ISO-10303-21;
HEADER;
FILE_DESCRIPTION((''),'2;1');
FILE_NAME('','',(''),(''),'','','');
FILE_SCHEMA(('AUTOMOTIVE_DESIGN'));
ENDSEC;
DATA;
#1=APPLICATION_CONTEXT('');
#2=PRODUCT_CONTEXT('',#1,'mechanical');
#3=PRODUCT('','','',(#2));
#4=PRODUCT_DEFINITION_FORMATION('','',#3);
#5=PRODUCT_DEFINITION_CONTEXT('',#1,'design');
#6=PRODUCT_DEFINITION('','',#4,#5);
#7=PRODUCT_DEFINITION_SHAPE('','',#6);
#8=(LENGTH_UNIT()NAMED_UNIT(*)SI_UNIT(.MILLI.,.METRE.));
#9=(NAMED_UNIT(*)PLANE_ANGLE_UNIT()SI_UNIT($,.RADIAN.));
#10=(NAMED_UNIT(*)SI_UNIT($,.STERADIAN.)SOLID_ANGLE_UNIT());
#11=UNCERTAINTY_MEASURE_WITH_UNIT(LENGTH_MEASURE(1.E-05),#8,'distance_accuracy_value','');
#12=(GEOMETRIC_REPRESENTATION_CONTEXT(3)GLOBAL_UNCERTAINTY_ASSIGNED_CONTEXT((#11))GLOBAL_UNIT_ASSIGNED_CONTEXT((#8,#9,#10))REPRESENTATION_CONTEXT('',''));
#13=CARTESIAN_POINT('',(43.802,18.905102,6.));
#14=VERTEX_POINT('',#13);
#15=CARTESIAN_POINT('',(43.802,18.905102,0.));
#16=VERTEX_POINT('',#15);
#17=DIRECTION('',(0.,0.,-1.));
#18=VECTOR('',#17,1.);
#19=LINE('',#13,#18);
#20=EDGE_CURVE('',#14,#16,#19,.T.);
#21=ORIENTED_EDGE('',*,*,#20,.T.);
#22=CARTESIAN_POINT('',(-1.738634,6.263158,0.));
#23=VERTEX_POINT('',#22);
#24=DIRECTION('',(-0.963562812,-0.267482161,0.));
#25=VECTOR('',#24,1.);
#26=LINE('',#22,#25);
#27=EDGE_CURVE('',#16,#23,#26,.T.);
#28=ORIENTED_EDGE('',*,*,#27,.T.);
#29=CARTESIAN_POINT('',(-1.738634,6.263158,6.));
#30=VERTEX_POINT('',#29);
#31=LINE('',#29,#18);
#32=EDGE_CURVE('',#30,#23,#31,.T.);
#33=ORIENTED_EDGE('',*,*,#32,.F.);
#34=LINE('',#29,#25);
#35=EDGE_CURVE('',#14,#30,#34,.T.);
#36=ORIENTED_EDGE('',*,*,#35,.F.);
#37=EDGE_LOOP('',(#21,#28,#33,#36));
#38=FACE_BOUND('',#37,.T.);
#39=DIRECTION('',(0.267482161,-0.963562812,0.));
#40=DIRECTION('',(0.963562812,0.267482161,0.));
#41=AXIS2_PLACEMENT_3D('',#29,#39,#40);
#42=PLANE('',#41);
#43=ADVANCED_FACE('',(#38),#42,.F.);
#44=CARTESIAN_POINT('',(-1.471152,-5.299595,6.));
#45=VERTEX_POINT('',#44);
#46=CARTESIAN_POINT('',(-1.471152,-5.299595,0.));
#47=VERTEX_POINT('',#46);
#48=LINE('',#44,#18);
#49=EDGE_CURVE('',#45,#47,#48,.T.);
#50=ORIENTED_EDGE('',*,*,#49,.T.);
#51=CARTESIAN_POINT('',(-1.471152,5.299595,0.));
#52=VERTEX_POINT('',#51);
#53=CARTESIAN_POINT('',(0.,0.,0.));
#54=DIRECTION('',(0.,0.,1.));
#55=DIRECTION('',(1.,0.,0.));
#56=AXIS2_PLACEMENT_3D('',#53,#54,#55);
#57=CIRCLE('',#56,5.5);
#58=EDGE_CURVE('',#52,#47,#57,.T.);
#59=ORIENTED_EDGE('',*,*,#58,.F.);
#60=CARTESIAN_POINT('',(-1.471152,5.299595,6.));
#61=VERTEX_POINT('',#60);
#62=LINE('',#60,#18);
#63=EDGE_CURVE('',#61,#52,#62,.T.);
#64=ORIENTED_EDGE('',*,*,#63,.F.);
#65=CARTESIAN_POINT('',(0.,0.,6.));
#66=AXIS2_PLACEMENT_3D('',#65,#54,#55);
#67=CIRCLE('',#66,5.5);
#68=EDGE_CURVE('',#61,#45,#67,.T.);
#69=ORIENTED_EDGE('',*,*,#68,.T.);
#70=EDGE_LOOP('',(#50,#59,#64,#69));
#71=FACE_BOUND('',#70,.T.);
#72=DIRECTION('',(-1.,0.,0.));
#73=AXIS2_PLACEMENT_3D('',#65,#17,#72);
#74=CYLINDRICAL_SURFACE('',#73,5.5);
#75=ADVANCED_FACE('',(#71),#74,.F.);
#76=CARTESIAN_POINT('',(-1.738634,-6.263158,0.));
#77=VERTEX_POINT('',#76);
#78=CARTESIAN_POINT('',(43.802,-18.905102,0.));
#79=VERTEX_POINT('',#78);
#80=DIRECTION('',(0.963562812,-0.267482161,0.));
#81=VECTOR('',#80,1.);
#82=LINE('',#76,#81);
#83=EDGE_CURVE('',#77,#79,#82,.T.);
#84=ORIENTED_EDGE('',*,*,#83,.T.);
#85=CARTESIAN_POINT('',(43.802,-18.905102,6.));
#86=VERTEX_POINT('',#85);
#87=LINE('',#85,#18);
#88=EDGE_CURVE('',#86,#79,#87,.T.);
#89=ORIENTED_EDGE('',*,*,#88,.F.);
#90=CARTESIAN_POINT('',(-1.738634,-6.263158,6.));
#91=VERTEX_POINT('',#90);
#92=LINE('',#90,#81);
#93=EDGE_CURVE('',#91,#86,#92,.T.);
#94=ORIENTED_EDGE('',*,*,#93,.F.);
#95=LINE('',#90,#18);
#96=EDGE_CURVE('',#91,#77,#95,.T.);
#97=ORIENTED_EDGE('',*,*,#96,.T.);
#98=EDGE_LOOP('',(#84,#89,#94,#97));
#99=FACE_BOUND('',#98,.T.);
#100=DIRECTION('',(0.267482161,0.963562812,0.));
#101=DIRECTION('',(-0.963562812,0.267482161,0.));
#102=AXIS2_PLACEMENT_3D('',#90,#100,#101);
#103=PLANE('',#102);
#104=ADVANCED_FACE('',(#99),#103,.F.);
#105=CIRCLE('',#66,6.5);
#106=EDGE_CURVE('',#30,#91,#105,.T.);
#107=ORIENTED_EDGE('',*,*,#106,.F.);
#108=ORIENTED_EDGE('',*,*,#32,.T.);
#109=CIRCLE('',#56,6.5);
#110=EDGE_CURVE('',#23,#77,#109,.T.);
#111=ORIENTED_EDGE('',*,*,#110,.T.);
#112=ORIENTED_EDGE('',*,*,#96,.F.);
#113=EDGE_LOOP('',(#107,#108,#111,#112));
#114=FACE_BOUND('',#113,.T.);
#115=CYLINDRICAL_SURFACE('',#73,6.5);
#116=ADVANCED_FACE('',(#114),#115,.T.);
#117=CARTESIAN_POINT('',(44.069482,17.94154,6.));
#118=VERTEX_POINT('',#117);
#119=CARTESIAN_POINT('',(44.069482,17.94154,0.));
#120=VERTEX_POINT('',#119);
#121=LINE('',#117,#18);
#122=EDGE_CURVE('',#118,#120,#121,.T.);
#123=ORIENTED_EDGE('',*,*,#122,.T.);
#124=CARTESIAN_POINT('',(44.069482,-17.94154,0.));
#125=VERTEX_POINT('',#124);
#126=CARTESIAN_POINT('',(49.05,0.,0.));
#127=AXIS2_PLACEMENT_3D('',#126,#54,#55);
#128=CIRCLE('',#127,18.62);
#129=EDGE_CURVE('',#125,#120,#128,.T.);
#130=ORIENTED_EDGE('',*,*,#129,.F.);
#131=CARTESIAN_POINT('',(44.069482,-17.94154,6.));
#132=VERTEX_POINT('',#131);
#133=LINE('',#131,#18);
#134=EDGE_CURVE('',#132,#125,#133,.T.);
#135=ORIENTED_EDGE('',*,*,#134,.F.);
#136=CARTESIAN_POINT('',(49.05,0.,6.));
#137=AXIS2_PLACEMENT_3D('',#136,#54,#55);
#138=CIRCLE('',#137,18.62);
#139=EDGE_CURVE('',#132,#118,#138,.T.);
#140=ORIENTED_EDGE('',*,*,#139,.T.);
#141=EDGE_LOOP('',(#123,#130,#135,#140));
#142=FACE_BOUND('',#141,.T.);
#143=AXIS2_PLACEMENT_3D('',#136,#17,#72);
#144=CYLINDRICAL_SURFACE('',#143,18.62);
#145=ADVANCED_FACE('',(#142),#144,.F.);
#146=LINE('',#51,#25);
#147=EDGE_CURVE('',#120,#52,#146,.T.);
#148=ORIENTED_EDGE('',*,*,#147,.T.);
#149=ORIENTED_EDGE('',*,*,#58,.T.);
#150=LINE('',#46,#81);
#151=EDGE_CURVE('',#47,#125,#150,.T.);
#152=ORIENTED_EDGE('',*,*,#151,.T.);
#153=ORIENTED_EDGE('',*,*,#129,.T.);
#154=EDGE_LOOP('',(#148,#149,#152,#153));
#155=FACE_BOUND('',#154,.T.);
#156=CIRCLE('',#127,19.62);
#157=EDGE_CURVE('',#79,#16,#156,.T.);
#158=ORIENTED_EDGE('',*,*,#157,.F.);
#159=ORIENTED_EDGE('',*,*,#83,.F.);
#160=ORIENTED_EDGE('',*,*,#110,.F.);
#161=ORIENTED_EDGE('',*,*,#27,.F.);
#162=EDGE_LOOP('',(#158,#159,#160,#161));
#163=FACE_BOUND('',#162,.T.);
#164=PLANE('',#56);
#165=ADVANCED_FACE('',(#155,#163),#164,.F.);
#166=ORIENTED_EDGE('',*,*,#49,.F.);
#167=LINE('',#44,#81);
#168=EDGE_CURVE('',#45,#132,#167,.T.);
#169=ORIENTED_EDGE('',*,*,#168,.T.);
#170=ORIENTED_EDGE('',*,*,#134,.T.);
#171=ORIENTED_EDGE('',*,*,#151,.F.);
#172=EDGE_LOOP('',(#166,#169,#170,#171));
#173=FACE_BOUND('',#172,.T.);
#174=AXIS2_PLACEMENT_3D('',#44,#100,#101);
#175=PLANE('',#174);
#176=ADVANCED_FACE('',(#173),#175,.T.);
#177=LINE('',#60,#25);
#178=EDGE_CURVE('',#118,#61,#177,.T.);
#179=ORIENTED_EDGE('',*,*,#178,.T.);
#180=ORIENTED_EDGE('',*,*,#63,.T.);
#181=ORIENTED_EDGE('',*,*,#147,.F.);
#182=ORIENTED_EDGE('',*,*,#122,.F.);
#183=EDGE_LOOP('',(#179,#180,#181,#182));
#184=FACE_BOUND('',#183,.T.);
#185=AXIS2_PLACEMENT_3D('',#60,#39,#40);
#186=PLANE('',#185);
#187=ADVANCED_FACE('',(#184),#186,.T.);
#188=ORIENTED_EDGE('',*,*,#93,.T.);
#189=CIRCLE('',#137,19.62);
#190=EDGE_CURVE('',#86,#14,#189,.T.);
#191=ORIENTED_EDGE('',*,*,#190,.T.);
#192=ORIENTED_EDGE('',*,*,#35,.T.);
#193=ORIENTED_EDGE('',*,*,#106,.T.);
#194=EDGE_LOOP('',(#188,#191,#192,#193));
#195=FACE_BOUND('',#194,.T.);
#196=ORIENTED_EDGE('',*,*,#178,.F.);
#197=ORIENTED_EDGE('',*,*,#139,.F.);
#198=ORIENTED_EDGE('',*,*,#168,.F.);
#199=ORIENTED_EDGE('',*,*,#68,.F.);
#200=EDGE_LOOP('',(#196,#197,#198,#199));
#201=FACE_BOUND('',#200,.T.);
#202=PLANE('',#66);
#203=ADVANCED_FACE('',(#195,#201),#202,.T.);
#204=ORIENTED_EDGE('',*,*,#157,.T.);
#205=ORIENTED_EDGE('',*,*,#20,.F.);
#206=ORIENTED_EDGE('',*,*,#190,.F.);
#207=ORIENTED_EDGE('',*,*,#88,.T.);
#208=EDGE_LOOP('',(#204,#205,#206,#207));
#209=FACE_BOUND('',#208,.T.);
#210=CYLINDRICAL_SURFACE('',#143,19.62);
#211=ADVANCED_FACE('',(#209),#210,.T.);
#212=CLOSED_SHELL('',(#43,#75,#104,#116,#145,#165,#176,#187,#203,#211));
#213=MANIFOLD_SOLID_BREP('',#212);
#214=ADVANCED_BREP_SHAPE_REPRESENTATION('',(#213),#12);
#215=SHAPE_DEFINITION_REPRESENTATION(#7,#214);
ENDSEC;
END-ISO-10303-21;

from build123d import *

# Parameters (mm, degrees)
SALIENTE_EXTRUIR1_DEPTH = 6


with BuildPart() as part:
    # Croquis1 → Saliente-Extruir1 (new body)
    with BuildSketch(Plane.XY):
        with BuildLine():
            Line((-1.738634047, 6.263158281), (43.802, 18.90510238))
            ThreePointArc((43.802, 18.90510238), (68.67, 0), (43.802, -18.90510238))
            Line((43.802, -18.90510238), (-1.738634047, -6.263158281))
            ThreePointArc((-1.738634047, -6.263158281), (-6.5, 0), (-1.738634047, 6.263158281))
        make_face()
        with BuildLine():
            Line((-1.471151886, 5.299595468), (44.069482161, 17.941539568))
            ThreePointArc((44.069482161, 17.941539568), (67.67, 0), (44.069482161, -17.941539568))
            Line((44.069482161, -17.941539568), (-1.471151886, -5.299595468))
            ThreePointArc((-1.471151886, -5.299595468), (-5.5, 0), (-1.471151886, 5.299595468))
        make_face(mode=Mode.SUBTRACT)
    extrude(amount=SALIENTE_EXTRUIR1_DEPTH)


solid = part.part
